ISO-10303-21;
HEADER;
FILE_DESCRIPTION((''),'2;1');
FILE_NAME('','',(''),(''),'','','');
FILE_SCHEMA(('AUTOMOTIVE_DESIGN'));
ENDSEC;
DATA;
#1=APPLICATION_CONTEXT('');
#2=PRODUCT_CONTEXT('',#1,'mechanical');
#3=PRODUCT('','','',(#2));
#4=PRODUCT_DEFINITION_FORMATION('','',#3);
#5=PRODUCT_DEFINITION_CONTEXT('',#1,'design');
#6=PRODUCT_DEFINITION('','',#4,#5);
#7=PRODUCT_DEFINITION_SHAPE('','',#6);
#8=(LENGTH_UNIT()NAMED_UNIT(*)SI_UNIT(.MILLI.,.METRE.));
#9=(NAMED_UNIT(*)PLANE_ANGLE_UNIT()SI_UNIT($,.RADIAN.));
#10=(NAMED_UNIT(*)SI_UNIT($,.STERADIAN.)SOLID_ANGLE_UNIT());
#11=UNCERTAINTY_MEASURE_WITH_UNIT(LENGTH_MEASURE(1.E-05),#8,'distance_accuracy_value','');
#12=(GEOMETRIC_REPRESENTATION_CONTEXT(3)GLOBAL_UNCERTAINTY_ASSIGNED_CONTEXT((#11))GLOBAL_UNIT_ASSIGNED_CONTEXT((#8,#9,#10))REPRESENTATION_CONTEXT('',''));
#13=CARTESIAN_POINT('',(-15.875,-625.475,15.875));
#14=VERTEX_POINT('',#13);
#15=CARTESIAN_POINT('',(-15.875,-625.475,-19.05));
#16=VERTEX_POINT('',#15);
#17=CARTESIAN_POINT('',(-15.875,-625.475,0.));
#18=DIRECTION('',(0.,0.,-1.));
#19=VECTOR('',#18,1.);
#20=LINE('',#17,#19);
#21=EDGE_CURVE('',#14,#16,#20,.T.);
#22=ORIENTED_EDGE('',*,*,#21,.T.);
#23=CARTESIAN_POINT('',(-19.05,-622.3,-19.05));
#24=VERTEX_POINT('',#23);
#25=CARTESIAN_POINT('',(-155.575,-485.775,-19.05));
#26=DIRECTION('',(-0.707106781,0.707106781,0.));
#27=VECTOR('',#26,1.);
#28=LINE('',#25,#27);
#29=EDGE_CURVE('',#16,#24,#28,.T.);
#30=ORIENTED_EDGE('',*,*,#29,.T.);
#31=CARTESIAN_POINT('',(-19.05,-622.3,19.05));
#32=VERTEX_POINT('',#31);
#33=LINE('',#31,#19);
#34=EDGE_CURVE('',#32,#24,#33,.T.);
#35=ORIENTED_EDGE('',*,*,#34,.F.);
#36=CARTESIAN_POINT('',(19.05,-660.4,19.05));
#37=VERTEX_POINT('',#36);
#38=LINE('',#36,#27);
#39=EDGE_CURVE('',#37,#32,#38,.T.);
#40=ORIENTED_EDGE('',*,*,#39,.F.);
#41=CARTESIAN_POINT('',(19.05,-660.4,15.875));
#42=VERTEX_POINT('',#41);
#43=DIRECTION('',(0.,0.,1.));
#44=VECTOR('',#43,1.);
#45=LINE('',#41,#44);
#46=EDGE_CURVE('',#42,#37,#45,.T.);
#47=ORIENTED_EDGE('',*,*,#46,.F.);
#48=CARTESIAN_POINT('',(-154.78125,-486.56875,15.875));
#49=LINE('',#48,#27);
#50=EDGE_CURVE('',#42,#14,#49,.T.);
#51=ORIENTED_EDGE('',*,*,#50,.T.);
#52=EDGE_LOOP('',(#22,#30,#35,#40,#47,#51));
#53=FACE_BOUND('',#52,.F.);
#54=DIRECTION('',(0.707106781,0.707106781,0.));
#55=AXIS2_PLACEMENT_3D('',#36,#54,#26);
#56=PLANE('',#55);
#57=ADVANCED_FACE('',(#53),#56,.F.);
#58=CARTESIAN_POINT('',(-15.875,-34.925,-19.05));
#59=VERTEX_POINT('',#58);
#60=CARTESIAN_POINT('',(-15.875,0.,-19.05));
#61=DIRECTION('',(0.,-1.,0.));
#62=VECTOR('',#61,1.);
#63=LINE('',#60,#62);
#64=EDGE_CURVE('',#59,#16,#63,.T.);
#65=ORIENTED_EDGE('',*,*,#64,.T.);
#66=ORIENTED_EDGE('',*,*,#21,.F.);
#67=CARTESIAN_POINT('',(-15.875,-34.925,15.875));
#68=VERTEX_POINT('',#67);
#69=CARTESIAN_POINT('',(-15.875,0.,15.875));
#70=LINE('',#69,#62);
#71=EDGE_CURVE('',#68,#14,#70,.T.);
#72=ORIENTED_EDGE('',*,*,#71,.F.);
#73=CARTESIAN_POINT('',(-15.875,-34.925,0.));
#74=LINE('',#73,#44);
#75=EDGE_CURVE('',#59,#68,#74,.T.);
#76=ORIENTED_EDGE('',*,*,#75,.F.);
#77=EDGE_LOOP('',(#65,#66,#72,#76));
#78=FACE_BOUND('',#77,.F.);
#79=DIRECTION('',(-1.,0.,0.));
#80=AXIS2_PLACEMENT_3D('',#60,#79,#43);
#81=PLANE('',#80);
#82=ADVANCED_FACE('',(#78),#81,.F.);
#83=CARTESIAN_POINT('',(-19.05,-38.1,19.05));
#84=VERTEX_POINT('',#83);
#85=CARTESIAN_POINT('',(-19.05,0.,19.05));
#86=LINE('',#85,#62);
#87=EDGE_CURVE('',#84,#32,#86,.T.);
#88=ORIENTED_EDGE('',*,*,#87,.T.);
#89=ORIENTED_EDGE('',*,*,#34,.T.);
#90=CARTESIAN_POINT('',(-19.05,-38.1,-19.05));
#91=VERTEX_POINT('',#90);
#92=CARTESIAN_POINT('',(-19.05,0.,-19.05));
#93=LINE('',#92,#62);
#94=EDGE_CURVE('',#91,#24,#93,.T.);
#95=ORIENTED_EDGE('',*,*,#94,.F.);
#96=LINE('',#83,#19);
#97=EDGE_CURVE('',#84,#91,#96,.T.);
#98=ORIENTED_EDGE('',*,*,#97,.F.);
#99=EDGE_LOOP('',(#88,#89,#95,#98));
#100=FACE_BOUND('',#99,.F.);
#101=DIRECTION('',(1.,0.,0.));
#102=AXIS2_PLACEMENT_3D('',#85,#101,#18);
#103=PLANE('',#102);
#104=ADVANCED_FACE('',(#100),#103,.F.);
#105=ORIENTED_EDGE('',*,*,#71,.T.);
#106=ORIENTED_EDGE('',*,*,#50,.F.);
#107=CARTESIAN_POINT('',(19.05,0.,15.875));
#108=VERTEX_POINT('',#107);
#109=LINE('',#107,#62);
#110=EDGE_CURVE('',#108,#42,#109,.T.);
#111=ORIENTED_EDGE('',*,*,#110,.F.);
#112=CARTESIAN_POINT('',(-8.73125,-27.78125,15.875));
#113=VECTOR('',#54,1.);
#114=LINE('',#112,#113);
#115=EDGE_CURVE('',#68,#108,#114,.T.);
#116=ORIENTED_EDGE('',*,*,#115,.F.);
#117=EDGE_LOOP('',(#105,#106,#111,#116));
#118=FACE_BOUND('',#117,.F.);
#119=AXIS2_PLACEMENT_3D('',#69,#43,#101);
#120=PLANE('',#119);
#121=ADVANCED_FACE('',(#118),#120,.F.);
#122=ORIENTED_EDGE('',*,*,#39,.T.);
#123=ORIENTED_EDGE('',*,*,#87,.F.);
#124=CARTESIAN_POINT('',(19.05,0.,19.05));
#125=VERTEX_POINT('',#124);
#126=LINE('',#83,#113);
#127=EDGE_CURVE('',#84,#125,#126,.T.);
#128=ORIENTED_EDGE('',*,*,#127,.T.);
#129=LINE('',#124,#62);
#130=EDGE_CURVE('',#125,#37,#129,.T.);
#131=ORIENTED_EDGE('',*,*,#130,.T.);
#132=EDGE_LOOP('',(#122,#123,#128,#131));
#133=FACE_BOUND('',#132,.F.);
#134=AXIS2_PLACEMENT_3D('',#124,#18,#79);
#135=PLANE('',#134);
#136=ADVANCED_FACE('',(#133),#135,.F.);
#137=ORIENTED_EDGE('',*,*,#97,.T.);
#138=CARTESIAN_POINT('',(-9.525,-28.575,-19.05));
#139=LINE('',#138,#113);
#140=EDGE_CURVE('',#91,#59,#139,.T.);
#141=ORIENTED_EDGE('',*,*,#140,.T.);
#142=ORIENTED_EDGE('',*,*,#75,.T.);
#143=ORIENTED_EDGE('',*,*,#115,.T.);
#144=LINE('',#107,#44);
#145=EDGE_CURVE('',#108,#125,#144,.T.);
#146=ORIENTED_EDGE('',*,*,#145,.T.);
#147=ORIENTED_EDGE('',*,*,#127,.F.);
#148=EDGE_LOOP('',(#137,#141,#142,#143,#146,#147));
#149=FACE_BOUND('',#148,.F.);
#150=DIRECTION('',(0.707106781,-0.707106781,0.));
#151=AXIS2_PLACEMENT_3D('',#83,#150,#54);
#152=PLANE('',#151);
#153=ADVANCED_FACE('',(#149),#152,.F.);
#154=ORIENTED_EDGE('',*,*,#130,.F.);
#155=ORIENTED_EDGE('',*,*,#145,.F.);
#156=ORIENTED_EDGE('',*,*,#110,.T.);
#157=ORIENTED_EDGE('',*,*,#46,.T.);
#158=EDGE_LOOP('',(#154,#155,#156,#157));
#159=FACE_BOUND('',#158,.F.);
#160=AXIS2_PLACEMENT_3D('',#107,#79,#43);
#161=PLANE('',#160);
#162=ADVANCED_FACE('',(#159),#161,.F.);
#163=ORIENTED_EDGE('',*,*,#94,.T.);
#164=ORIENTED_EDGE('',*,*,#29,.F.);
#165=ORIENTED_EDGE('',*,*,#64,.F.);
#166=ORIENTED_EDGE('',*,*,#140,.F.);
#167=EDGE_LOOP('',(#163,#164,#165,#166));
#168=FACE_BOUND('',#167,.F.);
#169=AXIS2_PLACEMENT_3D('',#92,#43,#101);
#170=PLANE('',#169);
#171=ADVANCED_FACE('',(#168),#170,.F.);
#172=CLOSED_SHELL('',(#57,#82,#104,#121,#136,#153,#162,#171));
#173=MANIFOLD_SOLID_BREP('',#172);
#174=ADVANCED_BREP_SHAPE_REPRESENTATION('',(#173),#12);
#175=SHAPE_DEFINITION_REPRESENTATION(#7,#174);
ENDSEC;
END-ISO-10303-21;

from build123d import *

# Parameters (mm, degrees)
F1_DEPTH = 660.4
F3_DEPTH = 38.101


with BuildPart() as f1:
    # F0 (on Front) → F1 (new body)
    with BuildSketch(Plane.XZ):
        Polygon((19.05, 15.875), (19.05, 19.05), (-19.05, 19.05), (-19.05, -19.05), (-15.875, -19.05), (-15.875, 15.875), align=None)
    extrude(amount=F1_DEPTH)

    # F2 (on face) → F3 (cut, through all)
    with BuildSketch(Plane.XY.offset(19.05)):
        Polygon((-19.05, -660.4), (19.05, -660.4), (-19.05, -622.3), align=None)
        Polygon((-19.05, -38.1), (19.05, 0), (-19.05, 0), align=None)
    extrude(amount=-F3_DEPTH, mode=Mode.SUBTRACT)


solid = f1.part
